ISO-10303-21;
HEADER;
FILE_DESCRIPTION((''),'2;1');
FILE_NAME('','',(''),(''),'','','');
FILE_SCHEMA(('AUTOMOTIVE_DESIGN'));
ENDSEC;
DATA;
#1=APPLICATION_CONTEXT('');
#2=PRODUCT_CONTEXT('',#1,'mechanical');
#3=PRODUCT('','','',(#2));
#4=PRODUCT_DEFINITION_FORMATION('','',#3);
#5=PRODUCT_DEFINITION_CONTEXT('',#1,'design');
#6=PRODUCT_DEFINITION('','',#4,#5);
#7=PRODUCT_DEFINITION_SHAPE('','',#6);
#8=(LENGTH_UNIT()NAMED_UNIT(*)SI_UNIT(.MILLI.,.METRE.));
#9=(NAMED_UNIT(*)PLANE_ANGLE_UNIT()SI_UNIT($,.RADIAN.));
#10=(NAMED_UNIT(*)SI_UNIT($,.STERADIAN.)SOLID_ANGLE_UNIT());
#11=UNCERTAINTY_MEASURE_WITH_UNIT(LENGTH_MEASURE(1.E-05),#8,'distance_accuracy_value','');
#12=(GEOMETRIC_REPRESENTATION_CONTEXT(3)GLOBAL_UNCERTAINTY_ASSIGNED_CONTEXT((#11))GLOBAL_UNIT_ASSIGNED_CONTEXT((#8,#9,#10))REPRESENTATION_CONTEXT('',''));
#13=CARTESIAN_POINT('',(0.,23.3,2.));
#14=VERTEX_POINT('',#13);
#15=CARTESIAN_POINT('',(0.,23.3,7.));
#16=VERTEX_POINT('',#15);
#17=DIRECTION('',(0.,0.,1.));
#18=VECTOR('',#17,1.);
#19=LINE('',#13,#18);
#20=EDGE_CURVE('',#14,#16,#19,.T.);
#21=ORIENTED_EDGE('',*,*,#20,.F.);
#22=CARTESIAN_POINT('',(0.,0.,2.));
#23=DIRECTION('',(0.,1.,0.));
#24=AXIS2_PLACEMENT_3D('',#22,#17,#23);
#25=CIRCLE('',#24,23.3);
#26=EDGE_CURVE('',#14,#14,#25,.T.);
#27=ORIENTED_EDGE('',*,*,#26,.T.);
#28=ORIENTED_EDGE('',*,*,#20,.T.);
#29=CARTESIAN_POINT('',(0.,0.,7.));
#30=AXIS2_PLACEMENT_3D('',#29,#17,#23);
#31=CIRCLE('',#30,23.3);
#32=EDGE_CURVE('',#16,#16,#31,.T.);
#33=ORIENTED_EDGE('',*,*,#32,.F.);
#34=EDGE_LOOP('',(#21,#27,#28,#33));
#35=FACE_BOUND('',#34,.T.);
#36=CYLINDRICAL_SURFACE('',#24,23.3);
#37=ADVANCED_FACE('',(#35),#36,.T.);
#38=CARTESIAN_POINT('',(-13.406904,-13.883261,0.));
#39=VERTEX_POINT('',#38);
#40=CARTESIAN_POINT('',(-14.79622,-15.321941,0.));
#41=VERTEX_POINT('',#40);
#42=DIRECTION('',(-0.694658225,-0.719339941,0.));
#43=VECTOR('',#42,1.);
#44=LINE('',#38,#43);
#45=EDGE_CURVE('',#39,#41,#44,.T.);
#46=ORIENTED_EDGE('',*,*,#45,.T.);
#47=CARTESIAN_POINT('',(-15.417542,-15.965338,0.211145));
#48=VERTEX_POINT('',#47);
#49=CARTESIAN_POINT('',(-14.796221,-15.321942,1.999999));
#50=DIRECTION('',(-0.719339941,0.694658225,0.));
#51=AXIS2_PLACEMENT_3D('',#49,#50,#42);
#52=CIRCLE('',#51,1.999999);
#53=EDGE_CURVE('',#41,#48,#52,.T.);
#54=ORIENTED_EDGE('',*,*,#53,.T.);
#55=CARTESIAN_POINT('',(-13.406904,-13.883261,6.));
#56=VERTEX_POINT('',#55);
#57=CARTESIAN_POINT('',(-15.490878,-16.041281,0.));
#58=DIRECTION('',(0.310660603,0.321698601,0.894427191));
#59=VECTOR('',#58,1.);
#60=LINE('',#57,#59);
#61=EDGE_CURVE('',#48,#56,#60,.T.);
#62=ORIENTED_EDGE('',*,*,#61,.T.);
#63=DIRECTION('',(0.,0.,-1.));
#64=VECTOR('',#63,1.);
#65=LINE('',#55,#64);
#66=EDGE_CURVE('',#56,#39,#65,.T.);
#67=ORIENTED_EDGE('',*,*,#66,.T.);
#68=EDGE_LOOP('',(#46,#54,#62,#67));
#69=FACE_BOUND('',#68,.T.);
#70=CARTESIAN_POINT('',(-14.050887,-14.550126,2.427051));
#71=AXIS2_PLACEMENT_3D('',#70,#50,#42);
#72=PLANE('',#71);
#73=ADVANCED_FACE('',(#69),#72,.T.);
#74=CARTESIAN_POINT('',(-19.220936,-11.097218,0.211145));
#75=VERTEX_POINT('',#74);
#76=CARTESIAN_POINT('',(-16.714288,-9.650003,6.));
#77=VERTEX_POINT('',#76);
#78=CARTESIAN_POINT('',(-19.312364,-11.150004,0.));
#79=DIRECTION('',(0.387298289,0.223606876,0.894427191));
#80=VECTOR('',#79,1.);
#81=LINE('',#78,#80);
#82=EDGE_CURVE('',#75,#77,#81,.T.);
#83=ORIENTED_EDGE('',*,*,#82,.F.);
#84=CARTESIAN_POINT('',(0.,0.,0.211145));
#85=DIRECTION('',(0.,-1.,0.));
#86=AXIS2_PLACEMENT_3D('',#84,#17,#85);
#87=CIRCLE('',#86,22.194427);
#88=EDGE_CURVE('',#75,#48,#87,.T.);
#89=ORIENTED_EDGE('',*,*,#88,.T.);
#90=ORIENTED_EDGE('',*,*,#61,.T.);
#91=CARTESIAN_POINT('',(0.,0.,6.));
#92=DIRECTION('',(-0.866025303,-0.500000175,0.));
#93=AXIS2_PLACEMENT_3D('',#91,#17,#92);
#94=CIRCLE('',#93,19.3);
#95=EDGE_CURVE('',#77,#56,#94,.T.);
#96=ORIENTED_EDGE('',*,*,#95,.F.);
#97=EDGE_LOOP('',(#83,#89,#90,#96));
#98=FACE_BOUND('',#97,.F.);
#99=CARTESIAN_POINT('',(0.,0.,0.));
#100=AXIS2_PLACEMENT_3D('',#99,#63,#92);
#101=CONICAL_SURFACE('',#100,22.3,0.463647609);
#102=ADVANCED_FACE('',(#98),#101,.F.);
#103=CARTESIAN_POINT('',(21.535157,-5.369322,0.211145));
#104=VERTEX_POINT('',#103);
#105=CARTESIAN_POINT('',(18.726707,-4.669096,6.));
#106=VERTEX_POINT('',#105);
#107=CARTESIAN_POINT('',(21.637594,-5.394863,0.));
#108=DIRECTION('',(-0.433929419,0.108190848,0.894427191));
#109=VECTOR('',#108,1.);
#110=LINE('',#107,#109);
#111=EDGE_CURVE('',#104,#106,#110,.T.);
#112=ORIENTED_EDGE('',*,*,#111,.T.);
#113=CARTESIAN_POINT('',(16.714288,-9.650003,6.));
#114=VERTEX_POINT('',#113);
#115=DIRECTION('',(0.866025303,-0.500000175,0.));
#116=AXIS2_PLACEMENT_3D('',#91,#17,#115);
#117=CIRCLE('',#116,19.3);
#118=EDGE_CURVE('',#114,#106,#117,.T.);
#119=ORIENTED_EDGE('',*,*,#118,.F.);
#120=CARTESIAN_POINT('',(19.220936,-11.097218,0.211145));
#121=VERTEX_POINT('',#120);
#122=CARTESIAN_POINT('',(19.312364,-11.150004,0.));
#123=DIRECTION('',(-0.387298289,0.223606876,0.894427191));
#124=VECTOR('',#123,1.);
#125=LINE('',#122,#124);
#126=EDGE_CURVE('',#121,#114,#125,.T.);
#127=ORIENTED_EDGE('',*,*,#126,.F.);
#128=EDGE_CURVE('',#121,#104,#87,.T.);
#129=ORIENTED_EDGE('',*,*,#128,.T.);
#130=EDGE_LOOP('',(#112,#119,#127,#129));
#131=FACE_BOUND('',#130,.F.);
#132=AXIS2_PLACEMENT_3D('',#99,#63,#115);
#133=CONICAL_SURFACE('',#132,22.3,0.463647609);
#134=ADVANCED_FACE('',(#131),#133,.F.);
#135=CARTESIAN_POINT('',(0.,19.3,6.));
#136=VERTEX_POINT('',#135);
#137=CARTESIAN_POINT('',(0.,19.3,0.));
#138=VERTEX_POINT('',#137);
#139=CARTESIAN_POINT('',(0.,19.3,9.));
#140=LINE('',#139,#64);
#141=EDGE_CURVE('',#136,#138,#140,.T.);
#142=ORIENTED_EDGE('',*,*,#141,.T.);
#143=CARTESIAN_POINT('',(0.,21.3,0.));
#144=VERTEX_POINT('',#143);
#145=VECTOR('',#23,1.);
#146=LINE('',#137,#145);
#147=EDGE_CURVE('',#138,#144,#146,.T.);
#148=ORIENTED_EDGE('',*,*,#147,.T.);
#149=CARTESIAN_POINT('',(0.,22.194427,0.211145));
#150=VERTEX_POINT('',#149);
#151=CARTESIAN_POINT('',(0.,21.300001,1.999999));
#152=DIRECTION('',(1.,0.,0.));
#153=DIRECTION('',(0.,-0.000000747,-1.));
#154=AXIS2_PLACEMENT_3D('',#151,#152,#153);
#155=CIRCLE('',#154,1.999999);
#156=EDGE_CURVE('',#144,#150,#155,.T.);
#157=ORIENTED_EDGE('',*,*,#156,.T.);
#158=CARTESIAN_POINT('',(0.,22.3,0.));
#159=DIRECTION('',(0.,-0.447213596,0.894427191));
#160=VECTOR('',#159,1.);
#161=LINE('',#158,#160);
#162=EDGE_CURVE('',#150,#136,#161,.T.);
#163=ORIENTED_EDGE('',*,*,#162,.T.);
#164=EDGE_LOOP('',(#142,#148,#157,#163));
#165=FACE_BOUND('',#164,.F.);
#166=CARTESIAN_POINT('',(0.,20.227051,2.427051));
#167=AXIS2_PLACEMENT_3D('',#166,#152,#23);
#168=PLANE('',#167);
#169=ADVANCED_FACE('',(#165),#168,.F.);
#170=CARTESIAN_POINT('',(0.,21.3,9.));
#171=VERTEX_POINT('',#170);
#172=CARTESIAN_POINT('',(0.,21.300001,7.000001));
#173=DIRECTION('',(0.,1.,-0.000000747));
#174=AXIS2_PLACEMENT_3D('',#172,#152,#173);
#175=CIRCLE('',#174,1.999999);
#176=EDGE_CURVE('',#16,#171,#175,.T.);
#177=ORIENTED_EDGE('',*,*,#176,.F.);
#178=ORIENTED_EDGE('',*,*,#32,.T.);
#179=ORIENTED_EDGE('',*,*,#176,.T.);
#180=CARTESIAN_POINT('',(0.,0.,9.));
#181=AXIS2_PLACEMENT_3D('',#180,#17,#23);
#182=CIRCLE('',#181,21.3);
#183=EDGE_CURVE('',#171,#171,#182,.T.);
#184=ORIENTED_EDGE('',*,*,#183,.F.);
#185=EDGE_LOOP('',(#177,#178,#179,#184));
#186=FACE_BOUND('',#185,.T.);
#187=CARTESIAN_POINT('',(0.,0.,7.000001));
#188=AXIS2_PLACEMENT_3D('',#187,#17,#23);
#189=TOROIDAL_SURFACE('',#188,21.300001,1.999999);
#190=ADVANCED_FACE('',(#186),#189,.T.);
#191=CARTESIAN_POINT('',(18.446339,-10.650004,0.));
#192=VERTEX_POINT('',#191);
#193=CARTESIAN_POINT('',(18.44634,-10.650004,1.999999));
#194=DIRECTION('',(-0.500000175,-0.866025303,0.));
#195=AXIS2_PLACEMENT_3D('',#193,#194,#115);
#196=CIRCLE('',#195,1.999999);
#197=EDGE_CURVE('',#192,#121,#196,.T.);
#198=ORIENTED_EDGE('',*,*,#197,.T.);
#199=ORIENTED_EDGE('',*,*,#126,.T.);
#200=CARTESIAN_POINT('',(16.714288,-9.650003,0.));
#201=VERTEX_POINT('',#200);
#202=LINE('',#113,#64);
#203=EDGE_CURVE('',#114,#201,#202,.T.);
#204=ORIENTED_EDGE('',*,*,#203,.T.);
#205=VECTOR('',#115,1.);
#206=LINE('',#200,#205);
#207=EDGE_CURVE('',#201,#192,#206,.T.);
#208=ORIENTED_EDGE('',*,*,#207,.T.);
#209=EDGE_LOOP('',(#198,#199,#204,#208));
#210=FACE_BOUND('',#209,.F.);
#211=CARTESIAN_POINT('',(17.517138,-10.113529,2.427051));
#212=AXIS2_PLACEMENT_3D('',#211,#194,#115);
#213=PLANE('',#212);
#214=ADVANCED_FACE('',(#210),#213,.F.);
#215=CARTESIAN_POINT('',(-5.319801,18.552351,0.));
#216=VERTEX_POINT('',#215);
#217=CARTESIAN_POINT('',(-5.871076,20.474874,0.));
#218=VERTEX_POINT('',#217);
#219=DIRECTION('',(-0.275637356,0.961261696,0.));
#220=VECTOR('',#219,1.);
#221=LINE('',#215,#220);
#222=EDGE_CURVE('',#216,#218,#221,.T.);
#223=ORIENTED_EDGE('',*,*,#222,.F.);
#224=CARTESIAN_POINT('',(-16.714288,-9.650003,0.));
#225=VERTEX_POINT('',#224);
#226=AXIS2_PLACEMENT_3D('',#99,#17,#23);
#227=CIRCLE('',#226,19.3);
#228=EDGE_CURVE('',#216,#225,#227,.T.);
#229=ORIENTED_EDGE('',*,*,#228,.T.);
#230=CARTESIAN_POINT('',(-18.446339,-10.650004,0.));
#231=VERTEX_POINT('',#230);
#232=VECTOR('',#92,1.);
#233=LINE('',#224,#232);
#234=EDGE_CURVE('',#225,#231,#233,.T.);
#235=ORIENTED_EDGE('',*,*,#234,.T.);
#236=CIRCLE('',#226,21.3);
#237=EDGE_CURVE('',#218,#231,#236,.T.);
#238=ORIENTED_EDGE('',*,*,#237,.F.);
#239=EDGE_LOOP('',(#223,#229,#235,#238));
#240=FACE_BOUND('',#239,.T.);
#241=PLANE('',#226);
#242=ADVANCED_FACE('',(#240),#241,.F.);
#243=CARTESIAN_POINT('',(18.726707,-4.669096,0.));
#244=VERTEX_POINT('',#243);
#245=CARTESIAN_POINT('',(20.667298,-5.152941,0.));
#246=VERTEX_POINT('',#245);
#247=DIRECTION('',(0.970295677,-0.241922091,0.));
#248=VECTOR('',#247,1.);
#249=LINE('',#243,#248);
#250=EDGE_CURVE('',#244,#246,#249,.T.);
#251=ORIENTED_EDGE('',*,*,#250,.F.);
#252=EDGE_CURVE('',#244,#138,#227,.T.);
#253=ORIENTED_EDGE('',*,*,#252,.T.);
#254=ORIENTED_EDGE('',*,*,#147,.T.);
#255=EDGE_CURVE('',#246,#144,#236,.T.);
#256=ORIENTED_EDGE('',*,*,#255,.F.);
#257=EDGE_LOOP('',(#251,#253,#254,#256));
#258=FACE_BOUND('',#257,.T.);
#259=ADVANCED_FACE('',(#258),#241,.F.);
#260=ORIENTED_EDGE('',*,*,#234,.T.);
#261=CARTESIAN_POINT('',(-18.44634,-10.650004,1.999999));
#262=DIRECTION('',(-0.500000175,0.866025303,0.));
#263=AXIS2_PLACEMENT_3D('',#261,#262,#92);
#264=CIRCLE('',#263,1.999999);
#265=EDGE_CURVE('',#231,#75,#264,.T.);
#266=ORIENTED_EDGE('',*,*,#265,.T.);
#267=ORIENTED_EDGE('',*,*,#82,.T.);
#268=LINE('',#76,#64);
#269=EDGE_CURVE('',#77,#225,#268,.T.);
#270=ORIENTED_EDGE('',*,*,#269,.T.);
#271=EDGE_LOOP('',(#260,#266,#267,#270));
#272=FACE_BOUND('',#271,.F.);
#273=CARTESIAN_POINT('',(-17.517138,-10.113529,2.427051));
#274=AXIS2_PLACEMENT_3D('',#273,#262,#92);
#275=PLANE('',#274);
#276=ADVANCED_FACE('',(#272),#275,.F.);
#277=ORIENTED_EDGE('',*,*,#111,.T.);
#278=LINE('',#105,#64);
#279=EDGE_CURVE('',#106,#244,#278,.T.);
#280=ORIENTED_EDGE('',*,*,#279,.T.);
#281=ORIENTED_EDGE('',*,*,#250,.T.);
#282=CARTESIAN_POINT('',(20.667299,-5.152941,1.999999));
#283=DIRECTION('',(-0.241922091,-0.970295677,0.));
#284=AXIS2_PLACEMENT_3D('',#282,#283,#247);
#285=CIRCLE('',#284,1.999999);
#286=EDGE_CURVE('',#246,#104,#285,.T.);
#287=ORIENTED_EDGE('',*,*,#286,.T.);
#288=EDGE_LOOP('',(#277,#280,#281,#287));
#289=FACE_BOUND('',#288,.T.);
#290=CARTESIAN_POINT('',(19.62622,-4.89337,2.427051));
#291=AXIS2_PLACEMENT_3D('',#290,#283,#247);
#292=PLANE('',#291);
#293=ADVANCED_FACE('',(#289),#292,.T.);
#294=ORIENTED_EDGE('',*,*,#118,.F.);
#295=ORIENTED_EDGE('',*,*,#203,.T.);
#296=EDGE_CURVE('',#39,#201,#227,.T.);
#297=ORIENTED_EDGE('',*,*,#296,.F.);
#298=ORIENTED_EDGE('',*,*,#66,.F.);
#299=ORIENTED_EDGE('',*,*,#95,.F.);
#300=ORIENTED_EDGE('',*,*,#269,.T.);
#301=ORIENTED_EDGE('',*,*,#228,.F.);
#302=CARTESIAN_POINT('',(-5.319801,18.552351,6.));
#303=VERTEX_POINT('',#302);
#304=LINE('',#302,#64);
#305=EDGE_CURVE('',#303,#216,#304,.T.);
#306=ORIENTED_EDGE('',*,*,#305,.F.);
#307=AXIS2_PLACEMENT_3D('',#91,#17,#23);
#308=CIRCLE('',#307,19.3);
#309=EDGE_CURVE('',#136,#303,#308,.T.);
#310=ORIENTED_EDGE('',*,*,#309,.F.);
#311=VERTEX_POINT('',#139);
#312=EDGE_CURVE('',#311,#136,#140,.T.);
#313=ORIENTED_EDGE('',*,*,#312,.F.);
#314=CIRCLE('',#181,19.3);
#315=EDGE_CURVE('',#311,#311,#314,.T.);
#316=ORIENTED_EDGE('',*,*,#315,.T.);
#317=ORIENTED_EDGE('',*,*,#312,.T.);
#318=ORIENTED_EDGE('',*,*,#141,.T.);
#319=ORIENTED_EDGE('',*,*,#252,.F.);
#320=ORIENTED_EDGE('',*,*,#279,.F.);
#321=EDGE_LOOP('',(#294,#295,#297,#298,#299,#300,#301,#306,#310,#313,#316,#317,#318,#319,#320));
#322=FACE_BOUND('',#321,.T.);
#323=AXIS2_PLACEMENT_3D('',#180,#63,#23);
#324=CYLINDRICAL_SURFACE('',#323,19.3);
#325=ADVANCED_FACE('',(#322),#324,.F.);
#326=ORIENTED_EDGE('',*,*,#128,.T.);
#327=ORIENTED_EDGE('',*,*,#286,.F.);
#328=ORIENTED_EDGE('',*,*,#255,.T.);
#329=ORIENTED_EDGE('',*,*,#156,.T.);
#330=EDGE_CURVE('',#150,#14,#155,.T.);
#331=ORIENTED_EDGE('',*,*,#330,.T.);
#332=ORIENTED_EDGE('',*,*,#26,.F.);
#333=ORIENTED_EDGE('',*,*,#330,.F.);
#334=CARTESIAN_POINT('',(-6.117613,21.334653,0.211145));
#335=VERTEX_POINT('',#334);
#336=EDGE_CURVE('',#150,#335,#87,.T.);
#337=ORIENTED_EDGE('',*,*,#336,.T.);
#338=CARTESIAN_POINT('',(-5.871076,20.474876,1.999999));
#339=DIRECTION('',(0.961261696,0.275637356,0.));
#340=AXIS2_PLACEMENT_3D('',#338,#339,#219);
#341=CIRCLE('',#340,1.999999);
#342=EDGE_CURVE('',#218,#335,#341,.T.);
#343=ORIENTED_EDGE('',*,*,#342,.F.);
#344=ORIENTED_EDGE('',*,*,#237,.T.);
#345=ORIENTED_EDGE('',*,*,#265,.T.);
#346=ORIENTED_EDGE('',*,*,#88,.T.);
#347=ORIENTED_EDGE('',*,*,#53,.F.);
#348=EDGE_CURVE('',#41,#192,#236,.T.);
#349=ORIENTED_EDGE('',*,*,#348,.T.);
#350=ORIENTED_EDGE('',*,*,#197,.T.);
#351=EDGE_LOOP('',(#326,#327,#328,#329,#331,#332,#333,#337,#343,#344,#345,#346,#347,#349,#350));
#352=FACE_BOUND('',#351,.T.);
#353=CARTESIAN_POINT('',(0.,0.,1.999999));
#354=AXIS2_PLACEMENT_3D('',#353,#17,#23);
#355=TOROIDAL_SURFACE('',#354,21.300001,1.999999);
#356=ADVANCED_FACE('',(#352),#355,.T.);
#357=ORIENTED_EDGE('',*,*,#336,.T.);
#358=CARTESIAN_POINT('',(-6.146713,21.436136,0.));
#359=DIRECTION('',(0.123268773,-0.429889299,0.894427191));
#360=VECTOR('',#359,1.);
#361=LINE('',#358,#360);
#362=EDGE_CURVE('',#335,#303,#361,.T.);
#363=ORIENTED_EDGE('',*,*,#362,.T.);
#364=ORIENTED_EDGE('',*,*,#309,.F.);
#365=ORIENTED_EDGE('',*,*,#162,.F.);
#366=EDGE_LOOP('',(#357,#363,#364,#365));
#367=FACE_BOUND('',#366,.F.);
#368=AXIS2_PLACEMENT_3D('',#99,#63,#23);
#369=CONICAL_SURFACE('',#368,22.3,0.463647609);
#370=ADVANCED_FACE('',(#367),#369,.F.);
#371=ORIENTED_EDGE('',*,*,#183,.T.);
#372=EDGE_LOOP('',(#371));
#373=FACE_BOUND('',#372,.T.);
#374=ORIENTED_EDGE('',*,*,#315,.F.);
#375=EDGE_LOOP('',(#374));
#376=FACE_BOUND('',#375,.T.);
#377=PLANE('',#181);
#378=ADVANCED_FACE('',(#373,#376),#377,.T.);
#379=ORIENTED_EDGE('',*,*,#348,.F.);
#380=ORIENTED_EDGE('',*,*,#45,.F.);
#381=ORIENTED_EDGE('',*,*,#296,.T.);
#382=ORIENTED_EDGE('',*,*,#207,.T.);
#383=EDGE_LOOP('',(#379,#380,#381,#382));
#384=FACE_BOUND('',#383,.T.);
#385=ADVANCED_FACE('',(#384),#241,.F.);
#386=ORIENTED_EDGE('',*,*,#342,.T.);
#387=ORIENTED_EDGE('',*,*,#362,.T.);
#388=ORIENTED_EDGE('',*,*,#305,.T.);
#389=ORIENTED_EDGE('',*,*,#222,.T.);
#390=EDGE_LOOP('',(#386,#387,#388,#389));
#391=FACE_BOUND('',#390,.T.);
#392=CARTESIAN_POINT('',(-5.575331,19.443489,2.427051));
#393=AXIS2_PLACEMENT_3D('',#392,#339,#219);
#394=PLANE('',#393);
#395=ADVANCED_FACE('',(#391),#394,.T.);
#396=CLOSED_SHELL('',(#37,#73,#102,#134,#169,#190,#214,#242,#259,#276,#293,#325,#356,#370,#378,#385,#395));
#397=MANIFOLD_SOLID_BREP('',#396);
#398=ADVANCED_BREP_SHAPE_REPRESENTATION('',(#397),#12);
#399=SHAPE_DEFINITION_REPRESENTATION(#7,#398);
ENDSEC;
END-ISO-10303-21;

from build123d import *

# Parameters (mm, degrees)
GROOVE_ANGLE    = 16
GROOVE001_ANGLE = 16
GROOVE002_ANGLE = 16


with BuildPart() as part:
    # Sketch027 → Revolution008 (revolve)
    with BuildSketch(Plane.YZ):
        with BuildLine():
            Line((19.3, 0), (21.3, 0))
            ThreePointArc((21.3, 0), (22.714214, 0.585786), (23.3, 2))
            Line((23.3, 2), (23.3, 7))
            ThreePointArc((23.3, 7), (22.714214, 8.414214), (21.3, 9))
            Line((21.3, 9), (19.3, 9))
            Line((19.3, 9), (19.3, 0))
        make_face()
    revolve(axis=Axis((0, 0, 0), (0, 0, 1)))

    # Sketch028 → Groove (revolve, cut)
    with BuildSketch(Plane.YZ):
        Polygon((19.3, 0), (22.3, 0), (19.3, 6), align=None)
    revolve(axis=Axis((0, 0, 0), (0, 0, 1)), revolution_arc=GROOVE_ANGLE, mode=Mode.SUBTRACT)

    # Sketch029 (on DatumPlane) → Groove001 (revolve, cut)
    with BuildSketch(Plane(origin=(0, 0, 0), x_dir=(-0.866025, -0.5, 0), z_dir=(-0.5, 0.866025, 0))):
        Polygon((19.3, 0), (22.3, 0), (19.3, 6), align=None)
    revolve(axis=Axis((0, 0, 0), (0, 0, 1)), revolution_arc=GROOVE001_ANGLE, mode=Mode.SUBTRACT)

    # Sketch047 (on DatumPlane) → Groove002 (revolve, cut)
    with BuildSketch(Plane(origin=(0, 0, 0), x_dir=(0.866025, -0.5, 0), z_dir=(-0.5, -0.866025, 0))):
        Polygon((19.3, 0), (22.3, 0), (19.3, 6), align=None)
    revolve(axis=Axis((0, 0, 0), (0, 0, 1)), revolution_arc=GROOVE002_ANGLE, mode=Mode.SUBTRACT)


solid = part.part
